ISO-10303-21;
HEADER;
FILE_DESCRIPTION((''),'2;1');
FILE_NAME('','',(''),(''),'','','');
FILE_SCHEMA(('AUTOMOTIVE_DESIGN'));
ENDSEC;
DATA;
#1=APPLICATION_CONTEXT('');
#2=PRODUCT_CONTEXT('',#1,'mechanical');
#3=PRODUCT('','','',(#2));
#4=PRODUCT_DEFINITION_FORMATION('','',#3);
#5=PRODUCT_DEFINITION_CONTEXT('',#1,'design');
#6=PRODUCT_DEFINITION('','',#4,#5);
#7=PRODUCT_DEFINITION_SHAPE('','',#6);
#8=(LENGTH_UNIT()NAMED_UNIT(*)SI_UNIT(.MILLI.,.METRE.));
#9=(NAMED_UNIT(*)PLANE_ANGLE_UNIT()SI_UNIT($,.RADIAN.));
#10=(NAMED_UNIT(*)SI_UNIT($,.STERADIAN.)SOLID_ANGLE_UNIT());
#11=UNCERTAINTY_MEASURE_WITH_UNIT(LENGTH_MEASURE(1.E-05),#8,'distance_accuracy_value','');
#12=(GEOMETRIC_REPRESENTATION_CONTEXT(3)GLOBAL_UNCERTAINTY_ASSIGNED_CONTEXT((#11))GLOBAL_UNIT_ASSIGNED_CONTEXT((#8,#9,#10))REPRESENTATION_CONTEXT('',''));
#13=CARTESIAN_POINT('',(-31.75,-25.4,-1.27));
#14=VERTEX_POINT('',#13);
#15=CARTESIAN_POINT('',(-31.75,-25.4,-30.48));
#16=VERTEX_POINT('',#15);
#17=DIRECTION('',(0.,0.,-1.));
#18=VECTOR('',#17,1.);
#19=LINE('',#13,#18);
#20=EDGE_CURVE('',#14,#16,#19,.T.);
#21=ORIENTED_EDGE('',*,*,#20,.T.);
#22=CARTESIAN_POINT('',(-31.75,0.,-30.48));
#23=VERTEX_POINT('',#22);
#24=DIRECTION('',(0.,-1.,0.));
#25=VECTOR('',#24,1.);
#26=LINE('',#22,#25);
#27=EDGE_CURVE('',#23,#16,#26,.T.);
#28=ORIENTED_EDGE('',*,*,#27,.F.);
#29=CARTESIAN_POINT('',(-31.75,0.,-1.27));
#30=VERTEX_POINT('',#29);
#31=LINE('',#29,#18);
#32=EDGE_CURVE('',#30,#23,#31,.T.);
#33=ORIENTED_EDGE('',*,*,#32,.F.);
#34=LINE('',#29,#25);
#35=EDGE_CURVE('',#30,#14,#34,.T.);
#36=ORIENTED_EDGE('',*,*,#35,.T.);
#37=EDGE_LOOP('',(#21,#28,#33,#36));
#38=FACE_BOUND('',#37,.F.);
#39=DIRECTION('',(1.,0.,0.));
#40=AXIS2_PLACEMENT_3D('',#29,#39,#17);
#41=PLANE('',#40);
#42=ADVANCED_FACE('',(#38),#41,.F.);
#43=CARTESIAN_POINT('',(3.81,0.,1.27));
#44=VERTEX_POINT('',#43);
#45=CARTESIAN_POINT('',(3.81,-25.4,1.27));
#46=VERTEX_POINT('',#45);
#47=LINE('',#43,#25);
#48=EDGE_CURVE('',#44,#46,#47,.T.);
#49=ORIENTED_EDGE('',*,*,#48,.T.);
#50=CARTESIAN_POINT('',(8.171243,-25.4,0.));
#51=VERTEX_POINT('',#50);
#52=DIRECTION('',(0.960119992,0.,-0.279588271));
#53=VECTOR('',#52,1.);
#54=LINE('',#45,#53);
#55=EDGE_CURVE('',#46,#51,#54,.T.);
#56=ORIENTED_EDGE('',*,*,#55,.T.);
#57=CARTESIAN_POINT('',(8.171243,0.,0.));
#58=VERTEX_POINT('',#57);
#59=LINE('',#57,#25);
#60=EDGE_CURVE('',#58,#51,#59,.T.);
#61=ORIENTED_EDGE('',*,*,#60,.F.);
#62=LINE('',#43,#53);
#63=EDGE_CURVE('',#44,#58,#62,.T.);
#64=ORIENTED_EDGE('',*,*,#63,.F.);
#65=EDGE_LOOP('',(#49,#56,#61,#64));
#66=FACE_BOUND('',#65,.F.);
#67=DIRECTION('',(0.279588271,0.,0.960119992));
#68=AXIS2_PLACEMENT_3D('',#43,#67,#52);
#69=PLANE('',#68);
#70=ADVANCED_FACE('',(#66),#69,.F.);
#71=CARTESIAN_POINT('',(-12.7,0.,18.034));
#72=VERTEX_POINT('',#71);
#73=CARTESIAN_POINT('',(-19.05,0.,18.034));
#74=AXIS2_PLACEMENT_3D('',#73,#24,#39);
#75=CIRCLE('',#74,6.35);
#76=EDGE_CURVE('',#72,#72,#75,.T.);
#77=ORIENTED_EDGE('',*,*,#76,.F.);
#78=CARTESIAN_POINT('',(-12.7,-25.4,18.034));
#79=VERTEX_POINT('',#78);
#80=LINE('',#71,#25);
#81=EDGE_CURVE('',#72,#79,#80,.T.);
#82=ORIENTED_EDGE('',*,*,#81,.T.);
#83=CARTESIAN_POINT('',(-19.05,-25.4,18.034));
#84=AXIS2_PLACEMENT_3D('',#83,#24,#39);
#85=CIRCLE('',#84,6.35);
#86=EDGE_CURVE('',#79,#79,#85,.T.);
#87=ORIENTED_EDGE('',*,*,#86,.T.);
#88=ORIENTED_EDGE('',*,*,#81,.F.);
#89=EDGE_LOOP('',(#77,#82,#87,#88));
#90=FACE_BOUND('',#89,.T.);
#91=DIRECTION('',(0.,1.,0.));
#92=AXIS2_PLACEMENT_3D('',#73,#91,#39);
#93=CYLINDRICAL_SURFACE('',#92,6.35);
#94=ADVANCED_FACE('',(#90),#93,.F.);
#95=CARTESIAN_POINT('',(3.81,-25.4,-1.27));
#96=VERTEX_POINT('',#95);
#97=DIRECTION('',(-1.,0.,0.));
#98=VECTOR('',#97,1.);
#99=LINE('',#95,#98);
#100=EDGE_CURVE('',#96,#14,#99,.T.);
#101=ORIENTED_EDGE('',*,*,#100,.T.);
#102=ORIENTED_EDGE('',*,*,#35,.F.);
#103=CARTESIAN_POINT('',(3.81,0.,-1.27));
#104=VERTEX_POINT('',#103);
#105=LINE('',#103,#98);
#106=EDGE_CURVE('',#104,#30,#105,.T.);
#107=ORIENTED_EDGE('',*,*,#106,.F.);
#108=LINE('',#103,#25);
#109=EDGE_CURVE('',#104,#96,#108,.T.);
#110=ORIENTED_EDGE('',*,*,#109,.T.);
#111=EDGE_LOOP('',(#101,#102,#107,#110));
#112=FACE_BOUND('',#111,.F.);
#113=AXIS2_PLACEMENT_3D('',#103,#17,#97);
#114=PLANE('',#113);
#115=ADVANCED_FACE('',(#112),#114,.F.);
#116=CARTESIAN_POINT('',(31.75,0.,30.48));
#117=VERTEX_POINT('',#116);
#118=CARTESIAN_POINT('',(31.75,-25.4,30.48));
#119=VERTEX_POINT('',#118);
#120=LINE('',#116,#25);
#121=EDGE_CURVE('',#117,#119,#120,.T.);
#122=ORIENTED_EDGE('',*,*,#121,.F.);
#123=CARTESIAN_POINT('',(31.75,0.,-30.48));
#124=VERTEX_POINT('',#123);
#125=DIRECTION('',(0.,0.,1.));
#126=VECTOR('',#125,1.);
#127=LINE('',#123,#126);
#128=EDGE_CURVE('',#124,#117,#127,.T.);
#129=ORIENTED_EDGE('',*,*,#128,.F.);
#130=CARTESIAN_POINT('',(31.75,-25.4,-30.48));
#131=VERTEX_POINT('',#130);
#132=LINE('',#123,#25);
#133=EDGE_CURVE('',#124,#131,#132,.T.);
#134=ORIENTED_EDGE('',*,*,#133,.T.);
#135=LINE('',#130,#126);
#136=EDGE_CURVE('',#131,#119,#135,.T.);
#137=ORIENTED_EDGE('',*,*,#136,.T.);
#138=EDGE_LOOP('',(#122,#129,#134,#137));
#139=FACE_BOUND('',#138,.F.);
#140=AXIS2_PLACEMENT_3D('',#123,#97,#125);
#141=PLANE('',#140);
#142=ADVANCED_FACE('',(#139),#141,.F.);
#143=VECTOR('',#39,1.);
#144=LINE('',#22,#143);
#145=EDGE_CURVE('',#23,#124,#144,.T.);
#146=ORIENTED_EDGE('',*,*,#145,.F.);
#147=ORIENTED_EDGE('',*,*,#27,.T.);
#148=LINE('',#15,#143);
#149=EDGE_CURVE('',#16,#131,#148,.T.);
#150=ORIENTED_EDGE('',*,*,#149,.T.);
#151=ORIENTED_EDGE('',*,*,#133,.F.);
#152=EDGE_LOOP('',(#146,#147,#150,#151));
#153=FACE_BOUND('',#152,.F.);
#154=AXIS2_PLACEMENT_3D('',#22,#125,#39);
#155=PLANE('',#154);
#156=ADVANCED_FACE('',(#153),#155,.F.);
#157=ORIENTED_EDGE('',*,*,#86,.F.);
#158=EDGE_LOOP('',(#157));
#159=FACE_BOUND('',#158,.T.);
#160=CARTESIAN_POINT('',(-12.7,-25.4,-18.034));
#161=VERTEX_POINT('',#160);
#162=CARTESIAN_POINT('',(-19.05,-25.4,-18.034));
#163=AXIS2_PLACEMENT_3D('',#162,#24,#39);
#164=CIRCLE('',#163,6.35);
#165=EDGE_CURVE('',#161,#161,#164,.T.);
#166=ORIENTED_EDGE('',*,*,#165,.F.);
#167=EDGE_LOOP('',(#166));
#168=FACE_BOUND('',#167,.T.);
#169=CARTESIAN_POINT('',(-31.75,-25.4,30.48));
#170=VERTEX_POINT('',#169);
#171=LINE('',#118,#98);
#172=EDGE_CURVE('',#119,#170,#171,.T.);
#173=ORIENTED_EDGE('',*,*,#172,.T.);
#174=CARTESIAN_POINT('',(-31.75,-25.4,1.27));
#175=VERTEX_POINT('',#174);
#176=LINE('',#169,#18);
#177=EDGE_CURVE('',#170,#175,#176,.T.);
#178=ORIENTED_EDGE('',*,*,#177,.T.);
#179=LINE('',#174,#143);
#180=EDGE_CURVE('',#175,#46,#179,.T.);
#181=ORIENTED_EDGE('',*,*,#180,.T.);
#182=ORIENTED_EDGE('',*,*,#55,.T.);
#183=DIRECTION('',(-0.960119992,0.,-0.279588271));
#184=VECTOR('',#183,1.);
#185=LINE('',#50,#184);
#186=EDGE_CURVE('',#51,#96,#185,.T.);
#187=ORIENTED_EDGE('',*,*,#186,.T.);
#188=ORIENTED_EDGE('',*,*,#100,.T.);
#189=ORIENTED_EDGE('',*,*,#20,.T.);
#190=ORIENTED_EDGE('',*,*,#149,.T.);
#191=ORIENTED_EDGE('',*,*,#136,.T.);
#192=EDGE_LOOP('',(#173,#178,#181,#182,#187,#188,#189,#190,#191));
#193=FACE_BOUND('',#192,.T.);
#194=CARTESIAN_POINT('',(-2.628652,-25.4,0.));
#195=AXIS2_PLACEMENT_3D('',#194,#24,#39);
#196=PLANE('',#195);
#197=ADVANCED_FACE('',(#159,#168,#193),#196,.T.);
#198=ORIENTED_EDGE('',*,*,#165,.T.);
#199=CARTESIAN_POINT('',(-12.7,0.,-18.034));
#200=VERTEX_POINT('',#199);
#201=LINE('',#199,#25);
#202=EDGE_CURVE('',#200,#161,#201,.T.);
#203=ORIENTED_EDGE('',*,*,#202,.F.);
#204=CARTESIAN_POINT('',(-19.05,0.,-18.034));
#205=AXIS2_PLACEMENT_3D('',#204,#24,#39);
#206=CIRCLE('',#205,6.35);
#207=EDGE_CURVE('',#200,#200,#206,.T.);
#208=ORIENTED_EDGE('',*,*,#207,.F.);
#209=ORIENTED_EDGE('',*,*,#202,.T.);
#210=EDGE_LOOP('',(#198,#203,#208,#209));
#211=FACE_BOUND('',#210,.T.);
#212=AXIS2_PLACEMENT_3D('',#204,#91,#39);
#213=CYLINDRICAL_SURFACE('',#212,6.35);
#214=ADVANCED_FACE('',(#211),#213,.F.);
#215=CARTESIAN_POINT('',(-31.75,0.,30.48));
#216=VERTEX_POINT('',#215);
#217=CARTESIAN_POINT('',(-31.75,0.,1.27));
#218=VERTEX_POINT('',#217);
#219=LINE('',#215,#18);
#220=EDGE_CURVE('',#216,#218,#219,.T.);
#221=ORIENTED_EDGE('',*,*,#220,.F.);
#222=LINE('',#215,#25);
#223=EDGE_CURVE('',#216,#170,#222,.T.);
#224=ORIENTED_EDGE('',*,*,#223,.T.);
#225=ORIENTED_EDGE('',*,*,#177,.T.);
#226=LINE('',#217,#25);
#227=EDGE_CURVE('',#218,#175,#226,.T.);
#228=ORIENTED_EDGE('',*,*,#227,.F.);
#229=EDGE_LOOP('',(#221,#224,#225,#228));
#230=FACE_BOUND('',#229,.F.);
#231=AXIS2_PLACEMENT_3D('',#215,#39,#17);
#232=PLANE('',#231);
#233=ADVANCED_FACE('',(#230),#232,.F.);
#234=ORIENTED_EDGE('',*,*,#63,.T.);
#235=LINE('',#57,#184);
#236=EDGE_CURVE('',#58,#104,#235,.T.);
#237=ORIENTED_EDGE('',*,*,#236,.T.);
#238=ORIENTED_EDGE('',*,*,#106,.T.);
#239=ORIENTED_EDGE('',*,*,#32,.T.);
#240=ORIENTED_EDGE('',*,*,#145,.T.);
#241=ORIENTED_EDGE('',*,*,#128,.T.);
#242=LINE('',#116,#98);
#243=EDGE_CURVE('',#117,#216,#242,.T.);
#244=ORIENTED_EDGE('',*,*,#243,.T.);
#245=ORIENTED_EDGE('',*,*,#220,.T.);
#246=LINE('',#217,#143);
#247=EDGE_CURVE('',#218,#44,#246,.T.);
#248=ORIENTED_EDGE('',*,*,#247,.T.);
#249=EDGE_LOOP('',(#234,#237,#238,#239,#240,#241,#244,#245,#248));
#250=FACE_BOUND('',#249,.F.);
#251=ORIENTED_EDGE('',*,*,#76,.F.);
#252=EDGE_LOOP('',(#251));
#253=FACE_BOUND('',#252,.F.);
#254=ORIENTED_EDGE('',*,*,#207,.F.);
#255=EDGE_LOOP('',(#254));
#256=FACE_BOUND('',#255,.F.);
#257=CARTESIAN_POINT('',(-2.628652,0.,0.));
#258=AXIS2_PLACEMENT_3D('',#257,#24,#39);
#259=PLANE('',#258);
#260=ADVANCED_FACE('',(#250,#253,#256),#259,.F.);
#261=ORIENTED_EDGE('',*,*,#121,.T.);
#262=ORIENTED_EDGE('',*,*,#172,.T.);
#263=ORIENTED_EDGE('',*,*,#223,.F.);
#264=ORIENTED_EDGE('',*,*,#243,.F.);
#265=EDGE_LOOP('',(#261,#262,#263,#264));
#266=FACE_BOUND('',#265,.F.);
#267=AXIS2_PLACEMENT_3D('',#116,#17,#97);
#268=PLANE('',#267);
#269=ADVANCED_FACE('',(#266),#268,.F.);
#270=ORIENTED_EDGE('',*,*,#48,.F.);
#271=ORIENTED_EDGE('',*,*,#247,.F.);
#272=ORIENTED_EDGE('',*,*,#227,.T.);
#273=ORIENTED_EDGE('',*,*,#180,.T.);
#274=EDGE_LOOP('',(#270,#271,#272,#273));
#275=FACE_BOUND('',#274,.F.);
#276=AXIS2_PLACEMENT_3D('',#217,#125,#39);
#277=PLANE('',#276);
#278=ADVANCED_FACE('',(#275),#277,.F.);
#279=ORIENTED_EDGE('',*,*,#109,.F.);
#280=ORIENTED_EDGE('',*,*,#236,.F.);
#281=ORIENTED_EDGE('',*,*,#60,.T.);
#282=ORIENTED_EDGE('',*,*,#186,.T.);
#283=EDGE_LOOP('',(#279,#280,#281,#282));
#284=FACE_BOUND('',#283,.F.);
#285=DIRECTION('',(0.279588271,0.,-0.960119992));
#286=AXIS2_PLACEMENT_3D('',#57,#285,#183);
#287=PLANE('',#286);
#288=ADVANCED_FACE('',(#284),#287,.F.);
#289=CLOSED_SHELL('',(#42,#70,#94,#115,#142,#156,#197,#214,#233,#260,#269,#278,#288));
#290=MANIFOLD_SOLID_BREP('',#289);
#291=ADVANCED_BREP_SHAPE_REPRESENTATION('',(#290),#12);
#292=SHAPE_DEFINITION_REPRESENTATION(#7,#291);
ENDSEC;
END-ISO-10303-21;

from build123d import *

# Parameters (mm, degrees)
F0_R     = 6.35
F1_DEPTH = 25.4


with BuildPart() as f1:
    # F0 (on Front) → F1 (new body)
    with BuildSketch(Plane.XZ):
        Polygon((-31.75, -1.27), (-31.75, -30.48), (31.75, -30.48), (31.75, 30.48), (-31.75, 30.48), (-31.75, 1.27), (3.81, 1.27), (8.171243, 0), (3.81, -1.27), align=None)
        with Locations((-19.05, -18.034)):
            Circle(F0_R, mode=Mode.SUBTRACT)
        with Locations((-19.05, 18.034)):
            Circle(F0_R, mode=Mode.SUBTRACT)
    extrude(amount=F1_DEPTH)


solid = f1.part
